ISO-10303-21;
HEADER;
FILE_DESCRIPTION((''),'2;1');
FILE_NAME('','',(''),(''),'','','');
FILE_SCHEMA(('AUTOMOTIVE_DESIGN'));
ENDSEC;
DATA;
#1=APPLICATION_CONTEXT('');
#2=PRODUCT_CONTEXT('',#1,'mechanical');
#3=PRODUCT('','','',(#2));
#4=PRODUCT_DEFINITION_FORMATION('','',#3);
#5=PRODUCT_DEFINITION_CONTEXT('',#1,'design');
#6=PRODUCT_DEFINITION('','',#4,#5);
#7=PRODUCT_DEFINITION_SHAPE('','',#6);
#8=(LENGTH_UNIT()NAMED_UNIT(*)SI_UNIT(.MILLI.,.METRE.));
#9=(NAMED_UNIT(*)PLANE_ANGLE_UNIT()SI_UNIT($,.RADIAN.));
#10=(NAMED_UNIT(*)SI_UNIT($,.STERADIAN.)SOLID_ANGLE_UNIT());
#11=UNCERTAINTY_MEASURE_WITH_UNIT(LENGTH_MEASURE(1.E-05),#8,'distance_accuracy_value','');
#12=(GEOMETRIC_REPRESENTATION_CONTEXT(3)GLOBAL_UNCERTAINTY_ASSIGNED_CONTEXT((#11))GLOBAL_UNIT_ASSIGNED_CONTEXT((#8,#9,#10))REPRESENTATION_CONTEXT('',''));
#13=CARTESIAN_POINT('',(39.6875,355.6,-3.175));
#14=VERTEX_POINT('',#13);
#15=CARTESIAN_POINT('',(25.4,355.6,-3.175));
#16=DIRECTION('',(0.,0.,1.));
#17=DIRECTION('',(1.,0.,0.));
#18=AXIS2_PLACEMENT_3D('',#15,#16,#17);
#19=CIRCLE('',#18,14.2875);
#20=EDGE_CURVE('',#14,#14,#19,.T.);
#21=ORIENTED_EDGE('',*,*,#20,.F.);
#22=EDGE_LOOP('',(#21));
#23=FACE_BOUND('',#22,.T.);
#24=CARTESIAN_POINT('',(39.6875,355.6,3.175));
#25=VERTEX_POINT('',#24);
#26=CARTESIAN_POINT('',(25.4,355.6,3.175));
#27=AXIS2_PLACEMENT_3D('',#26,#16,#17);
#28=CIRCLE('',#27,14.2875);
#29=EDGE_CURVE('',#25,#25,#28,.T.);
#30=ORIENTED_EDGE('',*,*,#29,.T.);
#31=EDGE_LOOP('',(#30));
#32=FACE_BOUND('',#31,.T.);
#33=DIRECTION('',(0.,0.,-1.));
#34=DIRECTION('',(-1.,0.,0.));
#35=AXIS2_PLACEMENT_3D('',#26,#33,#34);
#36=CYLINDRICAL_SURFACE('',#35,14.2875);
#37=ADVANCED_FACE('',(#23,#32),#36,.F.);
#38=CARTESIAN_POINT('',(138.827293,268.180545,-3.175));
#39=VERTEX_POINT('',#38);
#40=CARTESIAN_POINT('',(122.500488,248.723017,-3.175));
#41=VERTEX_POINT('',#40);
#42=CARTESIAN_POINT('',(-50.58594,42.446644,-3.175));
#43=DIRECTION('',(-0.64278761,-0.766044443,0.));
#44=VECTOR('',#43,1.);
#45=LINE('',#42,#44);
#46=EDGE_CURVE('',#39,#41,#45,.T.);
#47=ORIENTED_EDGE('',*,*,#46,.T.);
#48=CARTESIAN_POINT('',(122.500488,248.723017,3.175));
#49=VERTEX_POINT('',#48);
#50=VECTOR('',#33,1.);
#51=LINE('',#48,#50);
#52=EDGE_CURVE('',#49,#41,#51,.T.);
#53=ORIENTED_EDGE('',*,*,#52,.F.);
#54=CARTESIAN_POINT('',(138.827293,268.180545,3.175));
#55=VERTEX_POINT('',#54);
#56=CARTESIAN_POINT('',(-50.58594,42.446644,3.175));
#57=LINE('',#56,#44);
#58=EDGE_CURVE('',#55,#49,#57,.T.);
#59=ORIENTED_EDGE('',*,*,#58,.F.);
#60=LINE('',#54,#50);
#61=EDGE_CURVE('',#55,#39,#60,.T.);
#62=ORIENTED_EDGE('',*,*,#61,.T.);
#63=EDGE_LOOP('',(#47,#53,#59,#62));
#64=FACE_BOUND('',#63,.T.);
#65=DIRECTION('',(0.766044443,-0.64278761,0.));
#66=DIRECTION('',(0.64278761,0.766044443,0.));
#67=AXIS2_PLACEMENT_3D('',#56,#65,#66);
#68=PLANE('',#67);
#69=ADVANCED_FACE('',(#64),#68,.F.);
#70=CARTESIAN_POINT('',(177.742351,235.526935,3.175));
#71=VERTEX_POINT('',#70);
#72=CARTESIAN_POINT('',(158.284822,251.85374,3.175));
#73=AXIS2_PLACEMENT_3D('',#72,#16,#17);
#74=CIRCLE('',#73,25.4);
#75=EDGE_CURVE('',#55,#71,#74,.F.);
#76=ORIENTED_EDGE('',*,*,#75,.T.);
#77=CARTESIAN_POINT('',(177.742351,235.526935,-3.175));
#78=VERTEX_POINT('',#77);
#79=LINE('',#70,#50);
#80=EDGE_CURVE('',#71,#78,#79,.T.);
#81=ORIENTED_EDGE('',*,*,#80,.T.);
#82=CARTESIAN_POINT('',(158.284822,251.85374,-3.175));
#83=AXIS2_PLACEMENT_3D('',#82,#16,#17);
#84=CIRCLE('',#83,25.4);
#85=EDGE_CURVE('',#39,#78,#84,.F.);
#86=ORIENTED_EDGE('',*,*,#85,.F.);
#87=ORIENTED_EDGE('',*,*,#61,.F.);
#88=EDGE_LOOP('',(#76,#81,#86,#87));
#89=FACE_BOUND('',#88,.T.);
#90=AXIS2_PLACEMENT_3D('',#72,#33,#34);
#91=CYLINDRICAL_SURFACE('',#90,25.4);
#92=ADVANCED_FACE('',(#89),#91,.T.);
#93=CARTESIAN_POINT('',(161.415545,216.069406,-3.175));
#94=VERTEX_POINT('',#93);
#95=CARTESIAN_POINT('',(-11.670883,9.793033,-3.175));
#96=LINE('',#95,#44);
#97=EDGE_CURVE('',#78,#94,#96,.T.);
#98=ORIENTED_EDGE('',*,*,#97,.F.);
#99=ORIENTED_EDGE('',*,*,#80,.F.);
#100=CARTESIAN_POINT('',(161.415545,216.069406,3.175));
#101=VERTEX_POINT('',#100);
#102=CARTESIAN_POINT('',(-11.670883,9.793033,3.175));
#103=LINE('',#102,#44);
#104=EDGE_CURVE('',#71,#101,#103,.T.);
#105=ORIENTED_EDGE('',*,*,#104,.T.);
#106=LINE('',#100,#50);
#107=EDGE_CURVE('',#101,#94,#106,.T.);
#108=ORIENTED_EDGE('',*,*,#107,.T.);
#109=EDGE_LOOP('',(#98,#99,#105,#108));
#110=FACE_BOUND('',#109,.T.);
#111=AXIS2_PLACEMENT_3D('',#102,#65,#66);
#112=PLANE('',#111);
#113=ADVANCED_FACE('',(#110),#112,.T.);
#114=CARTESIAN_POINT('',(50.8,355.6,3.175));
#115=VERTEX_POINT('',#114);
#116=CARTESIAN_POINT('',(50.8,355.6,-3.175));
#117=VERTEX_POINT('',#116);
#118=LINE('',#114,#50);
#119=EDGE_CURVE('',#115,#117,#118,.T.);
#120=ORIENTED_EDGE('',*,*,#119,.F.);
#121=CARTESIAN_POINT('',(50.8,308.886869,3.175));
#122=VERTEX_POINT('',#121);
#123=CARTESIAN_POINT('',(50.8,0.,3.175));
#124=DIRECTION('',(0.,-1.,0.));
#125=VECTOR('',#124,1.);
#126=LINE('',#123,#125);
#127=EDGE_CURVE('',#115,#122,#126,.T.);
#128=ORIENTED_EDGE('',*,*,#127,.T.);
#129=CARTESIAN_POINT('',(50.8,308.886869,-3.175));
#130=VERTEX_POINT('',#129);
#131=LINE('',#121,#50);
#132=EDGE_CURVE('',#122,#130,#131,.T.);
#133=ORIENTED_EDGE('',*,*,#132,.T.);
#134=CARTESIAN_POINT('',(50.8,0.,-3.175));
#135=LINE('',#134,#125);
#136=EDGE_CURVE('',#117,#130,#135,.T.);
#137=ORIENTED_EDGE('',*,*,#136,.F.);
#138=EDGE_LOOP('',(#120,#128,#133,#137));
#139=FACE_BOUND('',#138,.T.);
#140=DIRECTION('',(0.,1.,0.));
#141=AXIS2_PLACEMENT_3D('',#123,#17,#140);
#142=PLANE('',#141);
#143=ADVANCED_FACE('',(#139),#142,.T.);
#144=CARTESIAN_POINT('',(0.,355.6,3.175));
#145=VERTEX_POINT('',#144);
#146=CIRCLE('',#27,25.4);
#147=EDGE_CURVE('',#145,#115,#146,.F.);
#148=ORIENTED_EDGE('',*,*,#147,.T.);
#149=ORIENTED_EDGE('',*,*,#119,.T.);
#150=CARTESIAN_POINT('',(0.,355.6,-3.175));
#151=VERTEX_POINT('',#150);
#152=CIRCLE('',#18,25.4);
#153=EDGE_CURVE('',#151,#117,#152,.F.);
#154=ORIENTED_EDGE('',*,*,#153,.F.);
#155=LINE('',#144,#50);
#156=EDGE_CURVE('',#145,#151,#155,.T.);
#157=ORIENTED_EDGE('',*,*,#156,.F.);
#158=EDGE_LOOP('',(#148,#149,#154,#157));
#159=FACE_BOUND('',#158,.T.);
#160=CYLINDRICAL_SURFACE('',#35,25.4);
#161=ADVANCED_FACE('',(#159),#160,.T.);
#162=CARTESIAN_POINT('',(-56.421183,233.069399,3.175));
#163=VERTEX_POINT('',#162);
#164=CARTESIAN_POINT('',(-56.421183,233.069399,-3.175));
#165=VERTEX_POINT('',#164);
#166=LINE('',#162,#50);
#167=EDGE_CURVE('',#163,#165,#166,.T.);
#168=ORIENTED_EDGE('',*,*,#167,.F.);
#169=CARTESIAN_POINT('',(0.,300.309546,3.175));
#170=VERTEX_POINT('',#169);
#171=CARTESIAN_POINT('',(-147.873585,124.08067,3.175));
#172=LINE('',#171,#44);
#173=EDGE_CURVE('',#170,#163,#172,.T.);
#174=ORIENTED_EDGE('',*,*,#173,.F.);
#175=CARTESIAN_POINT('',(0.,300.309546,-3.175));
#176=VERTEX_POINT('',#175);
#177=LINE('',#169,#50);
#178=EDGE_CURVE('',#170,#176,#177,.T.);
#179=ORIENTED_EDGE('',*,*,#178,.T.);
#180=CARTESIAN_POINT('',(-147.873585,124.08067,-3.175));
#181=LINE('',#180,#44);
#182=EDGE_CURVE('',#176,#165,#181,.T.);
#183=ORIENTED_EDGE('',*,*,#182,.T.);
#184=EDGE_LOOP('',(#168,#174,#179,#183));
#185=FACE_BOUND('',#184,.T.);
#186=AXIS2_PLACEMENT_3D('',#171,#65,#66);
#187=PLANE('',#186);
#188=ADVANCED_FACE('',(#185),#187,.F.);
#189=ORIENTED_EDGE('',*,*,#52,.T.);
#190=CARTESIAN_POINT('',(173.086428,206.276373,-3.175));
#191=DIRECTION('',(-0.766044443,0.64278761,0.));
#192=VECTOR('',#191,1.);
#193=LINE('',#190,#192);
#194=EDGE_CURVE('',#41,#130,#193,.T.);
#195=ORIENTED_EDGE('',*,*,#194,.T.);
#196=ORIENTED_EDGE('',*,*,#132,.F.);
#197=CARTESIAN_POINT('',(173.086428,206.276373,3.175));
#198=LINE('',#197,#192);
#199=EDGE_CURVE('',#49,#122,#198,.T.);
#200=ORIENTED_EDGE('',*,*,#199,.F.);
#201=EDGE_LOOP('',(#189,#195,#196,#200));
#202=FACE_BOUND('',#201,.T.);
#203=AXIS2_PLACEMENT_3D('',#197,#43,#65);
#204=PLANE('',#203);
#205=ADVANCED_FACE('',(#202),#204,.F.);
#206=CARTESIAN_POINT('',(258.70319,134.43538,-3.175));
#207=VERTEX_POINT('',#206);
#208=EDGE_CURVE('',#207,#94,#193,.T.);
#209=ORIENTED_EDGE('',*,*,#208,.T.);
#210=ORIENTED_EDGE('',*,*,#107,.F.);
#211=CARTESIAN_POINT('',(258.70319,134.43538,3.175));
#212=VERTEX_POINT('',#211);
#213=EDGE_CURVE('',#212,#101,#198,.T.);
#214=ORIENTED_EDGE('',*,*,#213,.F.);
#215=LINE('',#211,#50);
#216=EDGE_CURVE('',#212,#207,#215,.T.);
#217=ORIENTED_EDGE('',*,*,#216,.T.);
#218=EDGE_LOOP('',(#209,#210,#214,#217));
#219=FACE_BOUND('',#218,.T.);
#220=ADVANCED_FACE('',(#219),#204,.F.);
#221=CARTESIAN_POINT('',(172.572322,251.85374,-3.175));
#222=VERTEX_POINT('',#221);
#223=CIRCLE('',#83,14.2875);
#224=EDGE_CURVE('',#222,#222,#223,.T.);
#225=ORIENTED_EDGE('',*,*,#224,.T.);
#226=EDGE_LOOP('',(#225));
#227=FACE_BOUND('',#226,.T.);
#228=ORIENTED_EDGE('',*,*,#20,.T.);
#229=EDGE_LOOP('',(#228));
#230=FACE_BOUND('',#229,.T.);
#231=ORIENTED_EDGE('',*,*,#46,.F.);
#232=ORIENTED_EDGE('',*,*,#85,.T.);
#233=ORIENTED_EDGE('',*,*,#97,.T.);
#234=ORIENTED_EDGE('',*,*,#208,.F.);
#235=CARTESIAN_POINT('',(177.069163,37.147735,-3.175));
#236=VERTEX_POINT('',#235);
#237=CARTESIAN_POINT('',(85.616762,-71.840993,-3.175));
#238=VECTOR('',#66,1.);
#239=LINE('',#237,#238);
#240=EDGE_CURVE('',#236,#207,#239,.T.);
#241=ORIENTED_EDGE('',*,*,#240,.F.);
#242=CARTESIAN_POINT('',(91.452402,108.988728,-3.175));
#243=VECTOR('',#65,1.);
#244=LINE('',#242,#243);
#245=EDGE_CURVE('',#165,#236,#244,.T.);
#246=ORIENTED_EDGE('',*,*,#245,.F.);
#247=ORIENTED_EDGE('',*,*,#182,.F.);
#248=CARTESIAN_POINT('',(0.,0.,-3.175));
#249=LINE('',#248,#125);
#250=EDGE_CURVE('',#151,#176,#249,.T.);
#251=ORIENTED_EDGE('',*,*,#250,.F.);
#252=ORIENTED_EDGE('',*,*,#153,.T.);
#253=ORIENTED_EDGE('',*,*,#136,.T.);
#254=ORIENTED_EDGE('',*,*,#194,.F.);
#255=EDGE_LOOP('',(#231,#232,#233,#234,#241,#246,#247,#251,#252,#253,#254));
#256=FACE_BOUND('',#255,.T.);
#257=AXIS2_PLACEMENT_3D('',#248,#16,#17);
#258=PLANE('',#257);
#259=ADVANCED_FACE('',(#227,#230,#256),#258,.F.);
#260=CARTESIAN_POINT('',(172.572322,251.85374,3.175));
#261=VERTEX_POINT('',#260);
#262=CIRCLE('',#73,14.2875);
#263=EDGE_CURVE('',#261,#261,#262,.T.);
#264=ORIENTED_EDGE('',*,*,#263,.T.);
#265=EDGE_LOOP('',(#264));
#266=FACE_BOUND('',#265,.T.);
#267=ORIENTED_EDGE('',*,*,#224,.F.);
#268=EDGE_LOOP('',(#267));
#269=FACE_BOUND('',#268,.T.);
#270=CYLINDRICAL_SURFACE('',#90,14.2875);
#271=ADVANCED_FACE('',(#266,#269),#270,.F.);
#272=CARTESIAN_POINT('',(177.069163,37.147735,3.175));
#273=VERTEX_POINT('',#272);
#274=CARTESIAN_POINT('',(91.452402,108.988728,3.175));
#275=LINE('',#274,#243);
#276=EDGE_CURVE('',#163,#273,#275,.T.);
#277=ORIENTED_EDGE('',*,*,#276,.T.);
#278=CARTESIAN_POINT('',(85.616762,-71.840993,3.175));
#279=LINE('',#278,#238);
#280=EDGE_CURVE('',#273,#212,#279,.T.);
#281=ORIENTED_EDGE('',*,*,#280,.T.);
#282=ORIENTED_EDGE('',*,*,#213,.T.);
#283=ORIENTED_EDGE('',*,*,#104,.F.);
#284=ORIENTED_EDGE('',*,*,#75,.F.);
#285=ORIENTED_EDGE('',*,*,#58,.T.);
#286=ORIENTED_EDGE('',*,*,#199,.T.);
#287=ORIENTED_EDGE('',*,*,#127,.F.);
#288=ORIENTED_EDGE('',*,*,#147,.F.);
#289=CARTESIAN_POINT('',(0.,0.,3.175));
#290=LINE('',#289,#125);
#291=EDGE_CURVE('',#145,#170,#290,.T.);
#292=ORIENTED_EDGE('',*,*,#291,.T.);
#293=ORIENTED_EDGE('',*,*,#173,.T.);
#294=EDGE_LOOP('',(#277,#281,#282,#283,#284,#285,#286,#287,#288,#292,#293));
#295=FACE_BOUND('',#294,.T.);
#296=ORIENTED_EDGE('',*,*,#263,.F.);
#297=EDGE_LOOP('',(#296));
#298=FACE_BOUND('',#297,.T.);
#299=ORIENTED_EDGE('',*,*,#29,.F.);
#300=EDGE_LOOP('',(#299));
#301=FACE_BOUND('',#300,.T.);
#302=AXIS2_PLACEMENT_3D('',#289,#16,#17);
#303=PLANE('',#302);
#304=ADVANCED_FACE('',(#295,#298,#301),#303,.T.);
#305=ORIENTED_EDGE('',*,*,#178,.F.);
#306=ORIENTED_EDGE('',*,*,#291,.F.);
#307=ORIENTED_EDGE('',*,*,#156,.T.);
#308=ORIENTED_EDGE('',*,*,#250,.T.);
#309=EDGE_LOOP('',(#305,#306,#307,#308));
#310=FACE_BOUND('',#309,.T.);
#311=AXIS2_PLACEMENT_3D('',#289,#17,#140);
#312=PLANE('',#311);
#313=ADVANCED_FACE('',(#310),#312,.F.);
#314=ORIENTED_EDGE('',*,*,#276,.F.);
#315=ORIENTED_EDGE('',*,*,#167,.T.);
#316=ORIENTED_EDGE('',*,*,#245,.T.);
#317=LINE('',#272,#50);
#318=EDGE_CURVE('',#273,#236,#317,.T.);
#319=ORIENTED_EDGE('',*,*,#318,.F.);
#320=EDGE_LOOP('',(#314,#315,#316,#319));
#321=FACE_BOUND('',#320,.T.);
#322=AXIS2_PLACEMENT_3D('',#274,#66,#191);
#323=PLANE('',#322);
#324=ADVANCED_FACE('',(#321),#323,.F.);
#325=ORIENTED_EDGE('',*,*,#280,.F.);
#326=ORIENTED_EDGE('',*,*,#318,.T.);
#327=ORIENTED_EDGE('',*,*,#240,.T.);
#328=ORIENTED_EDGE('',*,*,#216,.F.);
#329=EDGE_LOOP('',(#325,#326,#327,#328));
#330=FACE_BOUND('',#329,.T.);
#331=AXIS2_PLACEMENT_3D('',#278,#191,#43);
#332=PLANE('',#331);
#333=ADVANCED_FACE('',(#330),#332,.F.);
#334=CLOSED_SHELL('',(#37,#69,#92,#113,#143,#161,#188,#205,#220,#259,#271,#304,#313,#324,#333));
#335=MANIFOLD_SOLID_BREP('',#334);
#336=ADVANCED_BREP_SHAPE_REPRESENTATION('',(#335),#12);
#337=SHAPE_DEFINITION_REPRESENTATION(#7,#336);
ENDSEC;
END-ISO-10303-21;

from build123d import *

# Parameters (mm, degrees)
SKETCH1_R           = 14.2875
BOSS_EXTRUDE1_DEPTH = 3.175


with BuildPart() as part:
    # Sketch1 → Boss-Extrude1 (new body, symmetric)
    with BuildSketch(Plane.XY):
        with BuildLine():
            Line((-56.421183023, 233.069398752), (177.06916324, 37.147735319))
            Line((177.06916324, 37.147735319), (258.70318967, 134.435379595))
            Line((258.70318967, 134.435379595), (161.415545394, 216.069406025))
            Line((161.415545394, 216.069406025), (177.74235068, 235.526934881))
            ThreePointArc((177.74235068, 235.526934881), (174.611627111, 271.311269022), (138.82729297, 268.180545453))
            Line((138.82729297, 268.180545453), (122.500487684, 248.723016597))
            Line((122.500487684, 248.723016597), (50.8, 308.886869368))
            Line((50.8, 308.886869368), (50.8, 355.6))
            ThreePointArc((50.8, 355.6), (25.4, 381), (0, 355.6))
            Line((0, 355.6), (0, 300.309546317))
            Line((0, 300.309546317), (-56.421183023, 233.069398752))
        make_face()
        with Locations((25.4, 355.6)):
            Circle(SKETCH1_R, mode=Mode.SUBTRACT)
        with Locations((158.284821825, 251.853740167)):
            Circle(SKETCH1_R, mode=Mode.SUBTRACT)
    extrude(amount=BOSS_EXTRUDE1_DEPTH, both=True)


solid = part.part
